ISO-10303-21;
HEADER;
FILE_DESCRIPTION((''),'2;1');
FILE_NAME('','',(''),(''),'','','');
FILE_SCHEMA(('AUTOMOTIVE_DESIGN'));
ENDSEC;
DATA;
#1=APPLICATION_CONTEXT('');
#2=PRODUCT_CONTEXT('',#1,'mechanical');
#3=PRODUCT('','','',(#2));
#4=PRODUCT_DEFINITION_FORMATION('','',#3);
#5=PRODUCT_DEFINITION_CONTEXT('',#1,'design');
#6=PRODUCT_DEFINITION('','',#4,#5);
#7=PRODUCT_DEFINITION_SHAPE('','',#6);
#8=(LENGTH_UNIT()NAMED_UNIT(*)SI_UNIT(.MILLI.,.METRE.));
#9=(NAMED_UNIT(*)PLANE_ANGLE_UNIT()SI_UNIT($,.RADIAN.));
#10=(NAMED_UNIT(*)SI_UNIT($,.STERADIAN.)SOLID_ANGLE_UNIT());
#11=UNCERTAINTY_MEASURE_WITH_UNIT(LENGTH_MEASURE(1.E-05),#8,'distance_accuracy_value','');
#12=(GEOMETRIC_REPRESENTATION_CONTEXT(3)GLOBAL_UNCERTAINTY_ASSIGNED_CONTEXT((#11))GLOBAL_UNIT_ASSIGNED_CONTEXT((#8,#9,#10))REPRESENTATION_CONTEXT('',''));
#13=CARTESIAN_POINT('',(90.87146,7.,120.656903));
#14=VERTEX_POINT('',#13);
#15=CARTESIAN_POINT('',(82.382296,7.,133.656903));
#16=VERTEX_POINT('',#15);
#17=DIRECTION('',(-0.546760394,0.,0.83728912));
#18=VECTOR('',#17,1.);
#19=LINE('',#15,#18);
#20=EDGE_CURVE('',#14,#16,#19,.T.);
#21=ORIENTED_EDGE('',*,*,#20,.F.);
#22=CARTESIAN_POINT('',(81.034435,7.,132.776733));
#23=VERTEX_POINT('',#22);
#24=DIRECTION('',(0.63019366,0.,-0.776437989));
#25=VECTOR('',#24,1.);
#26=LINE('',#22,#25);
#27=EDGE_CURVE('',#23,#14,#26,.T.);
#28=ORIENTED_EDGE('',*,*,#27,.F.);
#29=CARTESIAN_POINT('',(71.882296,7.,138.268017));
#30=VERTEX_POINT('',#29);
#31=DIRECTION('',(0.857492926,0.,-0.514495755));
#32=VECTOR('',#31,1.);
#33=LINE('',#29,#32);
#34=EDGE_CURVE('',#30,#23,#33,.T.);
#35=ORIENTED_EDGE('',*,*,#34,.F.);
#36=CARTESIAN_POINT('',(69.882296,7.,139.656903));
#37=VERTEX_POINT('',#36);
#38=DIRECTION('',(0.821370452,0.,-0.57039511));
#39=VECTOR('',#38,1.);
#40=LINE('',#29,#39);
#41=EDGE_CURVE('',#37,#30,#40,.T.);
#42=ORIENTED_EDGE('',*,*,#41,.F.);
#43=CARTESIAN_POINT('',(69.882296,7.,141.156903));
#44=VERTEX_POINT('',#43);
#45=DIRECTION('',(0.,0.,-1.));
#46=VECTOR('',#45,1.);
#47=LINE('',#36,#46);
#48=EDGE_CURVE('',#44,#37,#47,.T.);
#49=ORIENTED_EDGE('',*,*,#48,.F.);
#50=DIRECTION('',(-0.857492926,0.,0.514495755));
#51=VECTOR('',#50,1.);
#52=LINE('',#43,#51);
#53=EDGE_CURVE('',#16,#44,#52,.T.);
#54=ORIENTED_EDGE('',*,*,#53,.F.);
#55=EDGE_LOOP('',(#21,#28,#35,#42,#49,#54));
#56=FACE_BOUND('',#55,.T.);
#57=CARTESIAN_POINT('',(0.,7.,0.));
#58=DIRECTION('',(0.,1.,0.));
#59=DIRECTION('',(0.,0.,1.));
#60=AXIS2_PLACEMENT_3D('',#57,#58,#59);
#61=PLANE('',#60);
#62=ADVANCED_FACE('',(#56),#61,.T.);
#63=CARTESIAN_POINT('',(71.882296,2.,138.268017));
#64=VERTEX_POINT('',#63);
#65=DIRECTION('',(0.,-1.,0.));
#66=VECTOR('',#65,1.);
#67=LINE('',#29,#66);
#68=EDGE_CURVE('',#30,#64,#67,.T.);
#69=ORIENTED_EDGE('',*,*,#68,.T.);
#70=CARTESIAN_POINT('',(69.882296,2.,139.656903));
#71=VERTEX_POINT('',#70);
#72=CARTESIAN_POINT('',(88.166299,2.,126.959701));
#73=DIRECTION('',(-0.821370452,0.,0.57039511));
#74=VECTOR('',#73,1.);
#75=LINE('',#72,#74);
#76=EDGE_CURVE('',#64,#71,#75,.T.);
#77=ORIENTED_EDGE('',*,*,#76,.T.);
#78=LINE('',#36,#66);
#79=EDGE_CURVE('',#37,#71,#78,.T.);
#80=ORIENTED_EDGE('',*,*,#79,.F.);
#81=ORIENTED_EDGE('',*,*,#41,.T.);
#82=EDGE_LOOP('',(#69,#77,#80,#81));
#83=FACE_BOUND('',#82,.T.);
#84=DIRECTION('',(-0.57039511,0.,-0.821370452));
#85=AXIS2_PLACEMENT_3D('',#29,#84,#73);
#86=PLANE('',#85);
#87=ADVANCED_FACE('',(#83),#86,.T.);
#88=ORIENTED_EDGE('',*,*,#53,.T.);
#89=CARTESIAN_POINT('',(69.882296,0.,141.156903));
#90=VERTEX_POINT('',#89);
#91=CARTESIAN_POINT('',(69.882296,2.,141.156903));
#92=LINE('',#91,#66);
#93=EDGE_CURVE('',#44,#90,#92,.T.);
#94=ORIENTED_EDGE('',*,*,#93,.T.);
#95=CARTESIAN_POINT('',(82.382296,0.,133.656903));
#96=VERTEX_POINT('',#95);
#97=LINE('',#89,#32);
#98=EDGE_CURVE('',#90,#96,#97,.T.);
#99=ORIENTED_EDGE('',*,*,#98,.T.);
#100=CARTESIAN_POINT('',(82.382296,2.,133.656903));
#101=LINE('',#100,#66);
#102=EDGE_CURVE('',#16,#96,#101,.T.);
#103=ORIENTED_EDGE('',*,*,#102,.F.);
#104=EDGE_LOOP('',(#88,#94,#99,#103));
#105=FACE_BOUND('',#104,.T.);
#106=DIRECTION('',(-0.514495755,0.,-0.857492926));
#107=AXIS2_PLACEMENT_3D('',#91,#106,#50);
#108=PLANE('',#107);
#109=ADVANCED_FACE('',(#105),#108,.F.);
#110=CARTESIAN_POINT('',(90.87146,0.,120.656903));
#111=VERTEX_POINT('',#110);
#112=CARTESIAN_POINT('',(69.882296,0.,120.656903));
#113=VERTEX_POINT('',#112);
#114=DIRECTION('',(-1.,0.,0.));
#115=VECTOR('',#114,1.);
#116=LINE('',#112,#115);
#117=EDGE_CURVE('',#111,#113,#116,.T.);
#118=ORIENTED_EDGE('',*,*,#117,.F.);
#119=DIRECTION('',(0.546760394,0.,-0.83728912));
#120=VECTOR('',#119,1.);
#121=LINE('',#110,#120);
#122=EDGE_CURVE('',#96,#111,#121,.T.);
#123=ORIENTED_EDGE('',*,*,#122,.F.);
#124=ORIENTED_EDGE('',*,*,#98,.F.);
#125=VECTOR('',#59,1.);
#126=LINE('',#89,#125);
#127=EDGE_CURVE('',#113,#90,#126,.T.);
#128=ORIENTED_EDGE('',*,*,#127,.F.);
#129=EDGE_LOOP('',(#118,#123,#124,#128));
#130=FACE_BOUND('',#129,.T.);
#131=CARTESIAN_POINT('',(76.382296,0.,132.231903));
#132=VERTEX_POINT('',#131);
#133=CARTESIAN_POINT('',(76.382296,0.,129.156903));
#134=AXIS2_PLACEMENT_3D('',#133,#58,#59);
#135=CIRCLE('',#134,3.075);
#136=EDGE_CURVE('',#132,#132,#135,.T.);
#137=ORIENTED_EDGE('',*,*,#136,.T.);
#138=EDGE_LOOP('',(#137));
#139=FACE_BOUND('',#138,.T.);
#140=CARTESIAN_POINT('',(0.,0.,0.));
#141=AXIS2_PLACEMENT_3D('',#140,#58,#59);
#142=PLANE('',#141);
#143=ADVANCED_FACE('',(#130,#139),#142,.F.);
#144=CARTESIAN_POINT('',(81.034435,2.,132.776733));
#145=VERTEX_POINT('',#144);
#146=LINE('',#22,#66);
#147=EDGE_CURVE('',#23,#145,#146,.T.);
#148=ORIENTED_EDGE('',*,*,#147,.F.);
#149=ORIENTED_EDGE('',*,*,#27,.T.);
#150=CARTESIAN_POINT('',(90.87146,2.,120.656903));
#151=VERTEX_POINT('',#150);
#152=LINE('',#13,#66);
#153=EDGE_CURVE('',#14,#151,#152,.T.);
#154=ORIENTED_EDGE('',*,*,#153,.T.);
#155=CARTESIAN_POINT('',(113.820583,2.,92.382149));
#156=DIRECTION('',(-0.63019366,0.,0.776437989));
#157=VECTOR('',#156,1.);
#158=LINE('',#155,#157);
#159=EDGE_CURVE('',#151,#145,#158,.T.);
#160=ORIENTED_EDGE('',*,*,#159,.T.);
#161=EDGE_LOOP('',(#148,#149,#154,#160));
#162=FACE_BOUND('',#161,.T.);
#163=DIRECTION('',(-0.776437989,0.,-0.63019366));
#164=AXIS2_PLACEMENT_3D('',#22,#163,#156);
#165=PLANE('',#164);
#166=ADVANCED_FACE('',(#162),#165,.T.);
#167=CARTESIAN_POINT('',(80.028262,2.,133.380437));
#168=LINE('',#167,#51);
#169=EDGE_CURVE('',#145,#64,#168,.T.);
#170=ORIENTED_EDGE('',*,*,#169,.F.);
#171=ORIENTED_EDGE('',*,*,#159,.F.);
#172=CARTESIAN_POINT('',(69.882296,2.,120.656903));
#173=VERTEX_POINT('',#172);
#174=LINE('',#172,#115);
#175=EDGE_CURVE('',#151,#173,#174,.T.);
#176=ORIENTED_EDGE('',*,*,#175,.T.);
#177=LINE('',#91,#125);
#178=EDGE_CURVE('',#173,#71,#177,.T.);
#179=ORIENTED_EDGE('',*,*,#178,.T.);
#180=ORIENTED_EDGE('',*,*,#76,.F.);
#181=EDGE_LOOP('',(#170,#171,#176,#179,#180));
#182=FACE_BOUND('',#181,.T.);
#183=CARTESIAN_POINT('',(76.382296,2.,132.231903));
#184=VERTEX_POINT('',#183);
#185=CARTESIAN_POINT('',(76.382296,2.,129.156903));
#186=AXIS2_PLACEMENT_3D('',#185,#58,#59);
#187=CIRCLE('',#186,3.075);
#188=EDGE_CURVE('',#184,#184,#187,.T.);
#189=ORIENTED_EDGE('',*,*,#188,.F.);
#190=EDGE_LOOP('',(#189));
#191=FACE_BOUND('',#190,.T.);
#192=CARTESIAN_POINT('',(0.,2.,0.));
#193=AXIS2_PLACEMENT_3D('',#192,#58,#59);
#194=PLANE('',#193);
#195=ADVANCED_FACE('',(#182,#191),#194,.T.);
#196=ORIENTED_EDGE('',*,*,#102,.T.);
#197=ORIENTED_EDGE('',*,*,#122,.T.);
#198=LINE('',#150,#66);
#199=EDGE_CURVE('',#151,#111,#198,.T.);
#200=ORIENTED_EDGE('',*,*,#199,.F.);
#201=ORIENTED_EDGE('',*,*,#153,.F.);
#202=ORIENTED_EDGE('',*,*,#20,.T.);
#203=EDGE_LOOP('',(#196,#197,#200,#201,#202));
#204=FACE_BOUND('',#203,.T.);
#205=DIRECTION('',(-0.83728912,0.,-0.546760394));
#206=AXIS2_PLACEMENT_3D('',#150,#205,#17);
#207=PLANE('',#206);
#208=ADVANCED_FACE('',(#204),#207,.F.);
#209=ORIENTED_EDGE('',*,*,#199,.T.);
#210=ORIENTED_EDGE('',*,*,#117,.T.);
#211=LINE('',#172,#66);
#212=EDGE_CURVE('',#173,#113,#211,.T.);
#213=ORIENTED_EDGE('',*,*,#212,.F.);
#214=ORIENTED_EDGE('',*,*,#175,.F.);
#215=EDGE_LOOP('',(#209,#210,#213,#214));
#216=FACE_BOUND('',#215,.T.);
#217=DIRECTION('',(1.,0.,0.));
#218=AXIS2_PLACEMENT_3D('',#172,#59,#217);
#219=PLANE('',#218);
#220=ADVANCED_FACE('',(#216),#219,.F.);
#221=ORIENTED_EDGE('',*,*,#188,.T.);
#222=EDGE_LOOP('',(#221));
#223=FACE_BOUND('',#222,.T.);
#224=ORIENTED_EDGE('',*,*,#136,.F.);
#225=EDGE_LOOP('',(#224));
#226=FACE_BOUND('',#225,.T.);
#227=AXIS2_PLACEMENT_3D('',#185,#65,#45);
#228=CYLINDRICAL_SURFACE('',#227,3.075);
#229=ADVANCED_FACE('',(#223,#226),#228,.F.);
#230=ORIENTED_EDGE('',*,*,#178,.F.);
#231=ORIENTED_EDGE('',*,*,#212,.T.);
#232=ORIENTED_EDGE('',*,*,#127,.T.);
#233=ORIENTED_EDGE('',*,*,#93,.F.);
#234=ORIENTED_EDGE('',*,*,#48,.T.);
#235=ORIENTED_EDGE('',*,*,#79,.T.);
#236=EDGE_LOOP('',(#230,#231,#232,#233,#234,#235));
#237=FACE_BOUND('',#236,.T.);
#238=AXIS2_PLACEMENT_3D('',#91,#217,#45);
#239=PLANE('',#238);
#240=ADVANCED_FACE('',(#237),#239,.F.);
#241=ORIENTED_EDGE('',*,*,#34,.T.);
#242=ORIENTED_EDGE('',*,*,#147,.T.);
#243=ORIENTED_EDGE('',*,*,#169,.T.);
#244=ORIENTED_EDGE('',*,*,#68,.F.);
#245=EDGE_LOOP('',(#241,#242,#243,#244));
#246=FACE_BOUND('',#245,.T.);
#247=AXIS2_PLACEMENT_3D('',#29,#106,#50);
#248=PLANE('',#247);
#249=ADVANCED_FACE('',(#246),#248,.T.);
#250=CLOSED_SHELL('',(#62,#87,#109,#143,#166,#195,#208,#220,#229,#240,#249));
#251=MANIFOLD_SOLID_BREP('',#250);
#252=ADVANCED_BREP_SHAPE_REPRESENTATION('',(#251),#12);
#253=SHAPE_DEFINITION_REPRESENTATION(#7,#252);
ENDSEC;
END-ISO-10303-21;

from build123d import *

# Parameters (mm, degrees)
SKETCH1_R           = 3.075
BOSS_EXTRUDE1_DEPTH = 2
BOSS_EXTRUDE2_DEPTH = 7


with BuildPart() as part:
    # Sketch1 → Boss-Extrude1 (new body)
    with BuildSketch(Plane(origin=(0, 0, 0), x_dir=(1, 0, 0), z_dir=(0, 1, 0))):
        Polygon((69.882295615, -141.15690287), (82.382295615, -133.65690287), (90.871460172, -120.65690287), (69.882295615, -120.65690287), align=None)
        with Locations(Location((76.382295615, -129.15690287, 0), (0, 0, 270))):
            Circle(SKETCH1_R, mode=Mode.SUBTRACT)
    extrude(amount=BOSS_EXTRUDE1_DEPTH)

    # Sketch2 → Boss-Extrude2 (add)
    with BuildSketch(Plane(origin=(0, 0, 0), x_dir=(-1, 0, 0), z_dir=(0, -1, 0))):
        Polygon((-69.882295615, -141.15690287), (-82.382295615, -133.65690287), (-90.871460172, -120.65690287), (-81.03443504, -132.776732853), (-71.882295615, -138.268016507), (-69.882295615, -139.65690287), align=None)
    extrude(amount=-BOSS_EXTRUDE2_DEPTH)


solid = part.part
